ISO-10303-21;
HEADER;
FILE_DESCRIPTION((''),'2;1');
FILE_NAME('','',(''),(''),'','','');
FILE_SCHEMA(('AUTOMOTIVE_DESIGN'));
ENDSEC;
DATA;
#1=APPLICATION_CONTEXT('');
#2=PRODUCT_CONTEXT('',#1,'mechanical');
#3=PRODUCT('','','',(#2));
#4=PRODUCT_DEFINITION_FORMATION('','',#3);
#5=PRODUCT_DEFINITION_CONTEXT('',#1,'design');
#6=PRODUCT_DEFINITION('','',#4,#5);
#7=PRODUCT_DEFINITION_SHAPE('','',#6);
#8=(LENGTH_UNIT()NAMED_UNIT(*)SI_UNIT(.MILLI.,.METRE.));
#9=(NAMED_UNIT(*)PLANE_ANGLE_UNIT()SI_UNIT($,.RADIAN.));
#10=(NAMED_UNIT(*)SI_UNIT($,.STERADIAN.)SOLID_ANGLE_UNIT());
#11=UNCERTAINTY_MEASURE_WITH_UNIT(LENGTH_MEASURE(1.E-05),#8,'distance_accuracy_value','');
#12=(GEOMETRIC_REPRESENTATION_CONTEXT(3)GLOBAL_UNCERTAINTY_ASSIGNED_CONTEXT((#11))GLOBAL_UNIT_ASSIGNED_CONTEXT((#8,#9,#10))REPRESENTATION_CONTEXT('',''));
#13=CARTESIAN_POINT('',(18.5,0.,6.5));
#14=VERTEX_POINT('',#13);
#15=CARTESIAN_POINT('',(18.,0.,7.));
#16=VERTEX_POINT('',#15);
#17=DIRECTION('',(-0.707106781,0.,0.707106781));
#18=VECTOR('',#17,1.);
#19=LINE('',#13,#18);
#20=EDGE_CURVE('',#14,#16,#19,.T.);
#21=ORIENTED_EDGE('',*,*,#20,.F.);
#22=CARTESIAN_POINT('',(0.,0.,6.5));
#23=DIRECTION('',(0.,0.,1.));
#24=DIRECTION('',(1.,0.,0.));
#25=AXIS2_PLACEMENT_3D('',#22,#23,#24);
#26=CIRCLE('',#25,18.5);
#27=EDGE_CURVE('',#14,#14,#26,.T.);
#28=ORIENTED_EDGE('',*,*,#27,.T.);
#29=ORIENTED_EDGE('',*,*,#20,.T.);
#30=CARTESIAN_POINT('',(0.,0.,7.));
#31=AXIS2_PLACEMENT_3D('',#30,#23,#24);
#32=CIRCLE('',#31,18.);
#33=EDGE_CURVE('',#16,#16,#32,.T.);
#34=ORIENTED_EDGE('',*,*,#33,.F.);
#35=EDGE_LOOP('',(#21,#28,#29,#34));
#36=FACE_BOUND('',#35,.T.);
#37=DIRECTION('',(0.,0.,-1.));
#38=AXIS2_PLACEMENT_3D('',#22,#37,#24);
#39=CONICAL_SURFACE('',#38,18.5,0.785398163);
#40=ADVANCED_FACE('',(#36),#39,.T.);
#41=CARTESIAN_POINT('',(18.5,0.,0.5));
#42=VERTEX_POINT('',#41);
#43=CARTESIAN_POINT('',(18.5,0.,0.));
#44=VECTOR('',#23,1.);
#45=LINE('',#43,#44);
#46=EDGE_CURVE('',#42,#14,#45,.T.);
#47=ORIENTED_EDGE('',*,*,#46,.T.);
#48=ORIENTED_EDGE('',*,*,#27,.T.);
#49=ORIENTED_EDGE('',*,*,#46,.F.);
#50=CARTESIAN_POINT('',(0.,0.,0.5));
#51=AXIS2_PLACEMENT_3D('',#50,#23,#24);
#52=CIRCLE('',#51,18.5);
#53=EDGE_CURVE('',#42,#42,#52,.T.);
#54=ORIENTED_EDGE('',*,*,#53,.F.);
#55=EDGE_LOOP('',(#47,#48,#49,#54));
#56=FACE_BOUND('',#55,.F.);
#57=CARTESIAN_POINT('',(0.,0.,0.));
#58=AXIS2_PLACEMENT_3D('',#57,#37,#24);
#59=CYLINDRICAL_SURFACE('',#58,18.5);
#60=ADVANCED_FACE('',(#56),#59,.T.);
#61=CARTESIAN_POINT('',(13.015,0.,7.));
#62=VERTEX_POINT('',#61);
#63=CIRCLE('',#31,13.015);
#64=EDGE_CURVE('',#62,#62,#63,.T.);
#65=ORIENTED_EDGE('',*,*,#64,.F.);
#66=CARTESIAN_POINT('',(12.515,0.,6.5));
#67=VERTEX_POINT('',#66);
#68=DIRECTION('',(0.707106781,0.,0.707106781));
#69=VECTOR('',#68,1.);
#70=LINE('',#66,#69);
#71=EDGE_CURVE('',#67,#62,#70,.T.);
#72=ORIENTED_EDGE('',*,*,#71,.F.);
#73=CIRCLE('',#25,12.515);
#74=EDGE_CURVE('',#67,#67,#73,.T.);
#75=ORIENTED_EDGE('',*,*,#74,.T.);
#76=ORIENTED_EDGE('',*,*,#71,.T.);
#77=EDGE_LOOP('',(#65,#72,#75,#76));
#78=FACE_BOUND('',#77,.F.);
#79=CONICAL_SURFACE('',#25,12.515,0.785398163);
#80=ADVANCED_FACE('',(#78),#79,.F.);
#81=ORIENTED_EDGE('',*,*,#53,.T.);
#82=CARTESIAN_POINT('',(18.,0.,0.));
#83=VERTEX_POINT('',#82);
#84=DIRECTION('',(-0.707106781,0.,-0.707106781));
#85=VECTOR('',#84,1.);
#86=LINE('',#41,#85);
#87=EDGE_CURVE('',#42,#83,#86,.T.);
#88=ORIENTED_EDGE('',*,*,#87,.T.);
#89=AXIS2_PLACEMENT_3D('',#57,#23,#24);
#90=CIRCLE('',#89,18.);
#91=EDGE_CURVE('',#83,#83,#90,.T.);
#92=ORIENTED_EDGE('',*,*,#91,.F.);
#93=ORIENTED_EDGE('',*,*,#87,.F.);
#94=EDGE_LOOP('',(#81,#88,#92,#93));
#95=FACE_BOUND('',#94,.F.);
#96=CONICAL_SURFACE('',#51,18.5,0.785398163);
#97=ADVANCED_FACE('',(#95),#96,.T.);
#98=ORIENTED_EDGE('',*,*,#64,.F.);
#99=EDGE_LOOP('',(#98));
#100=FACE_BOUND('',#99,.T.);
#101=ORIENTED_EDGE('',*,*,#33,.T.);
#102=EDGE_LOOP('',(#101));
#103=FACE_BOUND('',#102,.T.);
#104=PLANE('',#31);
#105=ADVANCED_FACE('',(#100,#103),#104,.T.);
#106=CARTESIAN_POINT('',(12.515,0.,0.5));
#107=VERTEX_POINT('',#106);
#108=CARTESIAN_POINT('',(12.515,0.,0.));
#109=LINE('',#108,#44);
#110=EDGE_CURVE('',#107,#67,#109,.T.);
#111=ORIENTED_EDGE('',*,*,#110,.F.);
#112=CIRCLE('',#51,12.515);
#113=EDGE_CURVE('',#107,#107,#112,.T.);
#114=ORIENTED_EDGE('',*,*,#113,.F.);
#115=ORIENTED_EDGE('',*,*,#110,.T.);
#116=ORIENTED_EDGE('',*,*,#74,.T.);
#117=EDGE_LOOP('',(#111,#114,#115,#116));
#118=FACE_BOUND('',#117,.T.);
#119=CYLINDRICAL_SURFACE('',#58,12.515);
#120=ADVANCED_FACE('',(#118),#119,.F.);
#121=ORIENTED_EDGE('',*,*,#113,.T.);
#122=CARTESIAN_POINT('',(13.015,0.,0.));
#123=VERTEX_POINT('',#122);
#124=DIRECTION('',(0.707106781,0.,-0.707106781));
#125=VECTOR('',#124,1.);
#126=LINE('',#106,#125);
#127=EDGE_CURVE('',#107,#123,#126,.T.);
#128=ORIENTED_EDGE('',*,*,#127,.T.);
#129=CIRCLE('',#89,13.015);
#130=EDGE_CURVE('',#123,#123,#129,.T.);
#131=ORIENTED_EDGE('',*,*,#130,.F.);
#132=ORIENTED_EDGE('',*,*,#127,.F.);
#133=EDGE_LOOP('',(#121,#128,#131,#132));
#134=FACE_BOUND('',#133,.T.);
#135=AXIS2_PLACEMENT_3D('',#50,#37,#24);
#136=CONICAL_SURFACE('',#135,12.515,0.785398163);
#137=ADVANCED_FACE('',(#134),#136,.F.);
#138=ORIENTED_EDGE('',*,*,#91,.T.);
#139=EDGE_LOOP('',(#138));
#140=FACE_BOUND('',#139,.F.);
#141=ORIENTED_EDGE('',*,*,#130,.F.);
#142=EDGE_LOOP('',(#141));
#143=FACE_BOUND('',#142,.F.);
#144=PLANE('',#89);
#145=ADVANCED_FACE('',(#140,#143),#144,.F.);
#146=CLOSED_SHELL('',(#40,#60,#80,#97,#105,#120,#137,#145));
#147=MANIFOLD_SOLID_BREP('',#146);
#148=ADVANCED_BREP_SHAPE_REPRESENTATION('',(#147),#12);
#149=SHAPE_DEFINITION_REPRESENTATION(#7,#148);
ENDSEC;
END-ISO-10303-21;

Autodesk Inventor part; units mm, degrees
ref_plane "YZ Plane" through (0, 0, 0) normal (1, 0, 0) x (0, 1, 0)
ref_plane "XZ Plane" through (0, 0, 0) normal (0, 1, 0) x (-1, 0, 0)
ref_plane "XY Plane" through (0, 0, 0) normal (0, 0, 1) x (1, 0, 0)
sketch "草图1" plane through (0, 0, 0) normal (0, 0, 1) x (1, 0, 0)
  circle A0 centre (0, 0) radius 18.5
  circle A1 centre (0, 0) radius 12.515
extrude "拉伸1" add sketch "草图1" along normal blind 7
chamfer "倒角1" distance 0.5 angle 45 4 edges at (-12.515, 0, 7) (-12.515, 0, 0) (-18.5, 0, 7) (-18.5, 0, 0)
properties part number "my_attempt_v2"
